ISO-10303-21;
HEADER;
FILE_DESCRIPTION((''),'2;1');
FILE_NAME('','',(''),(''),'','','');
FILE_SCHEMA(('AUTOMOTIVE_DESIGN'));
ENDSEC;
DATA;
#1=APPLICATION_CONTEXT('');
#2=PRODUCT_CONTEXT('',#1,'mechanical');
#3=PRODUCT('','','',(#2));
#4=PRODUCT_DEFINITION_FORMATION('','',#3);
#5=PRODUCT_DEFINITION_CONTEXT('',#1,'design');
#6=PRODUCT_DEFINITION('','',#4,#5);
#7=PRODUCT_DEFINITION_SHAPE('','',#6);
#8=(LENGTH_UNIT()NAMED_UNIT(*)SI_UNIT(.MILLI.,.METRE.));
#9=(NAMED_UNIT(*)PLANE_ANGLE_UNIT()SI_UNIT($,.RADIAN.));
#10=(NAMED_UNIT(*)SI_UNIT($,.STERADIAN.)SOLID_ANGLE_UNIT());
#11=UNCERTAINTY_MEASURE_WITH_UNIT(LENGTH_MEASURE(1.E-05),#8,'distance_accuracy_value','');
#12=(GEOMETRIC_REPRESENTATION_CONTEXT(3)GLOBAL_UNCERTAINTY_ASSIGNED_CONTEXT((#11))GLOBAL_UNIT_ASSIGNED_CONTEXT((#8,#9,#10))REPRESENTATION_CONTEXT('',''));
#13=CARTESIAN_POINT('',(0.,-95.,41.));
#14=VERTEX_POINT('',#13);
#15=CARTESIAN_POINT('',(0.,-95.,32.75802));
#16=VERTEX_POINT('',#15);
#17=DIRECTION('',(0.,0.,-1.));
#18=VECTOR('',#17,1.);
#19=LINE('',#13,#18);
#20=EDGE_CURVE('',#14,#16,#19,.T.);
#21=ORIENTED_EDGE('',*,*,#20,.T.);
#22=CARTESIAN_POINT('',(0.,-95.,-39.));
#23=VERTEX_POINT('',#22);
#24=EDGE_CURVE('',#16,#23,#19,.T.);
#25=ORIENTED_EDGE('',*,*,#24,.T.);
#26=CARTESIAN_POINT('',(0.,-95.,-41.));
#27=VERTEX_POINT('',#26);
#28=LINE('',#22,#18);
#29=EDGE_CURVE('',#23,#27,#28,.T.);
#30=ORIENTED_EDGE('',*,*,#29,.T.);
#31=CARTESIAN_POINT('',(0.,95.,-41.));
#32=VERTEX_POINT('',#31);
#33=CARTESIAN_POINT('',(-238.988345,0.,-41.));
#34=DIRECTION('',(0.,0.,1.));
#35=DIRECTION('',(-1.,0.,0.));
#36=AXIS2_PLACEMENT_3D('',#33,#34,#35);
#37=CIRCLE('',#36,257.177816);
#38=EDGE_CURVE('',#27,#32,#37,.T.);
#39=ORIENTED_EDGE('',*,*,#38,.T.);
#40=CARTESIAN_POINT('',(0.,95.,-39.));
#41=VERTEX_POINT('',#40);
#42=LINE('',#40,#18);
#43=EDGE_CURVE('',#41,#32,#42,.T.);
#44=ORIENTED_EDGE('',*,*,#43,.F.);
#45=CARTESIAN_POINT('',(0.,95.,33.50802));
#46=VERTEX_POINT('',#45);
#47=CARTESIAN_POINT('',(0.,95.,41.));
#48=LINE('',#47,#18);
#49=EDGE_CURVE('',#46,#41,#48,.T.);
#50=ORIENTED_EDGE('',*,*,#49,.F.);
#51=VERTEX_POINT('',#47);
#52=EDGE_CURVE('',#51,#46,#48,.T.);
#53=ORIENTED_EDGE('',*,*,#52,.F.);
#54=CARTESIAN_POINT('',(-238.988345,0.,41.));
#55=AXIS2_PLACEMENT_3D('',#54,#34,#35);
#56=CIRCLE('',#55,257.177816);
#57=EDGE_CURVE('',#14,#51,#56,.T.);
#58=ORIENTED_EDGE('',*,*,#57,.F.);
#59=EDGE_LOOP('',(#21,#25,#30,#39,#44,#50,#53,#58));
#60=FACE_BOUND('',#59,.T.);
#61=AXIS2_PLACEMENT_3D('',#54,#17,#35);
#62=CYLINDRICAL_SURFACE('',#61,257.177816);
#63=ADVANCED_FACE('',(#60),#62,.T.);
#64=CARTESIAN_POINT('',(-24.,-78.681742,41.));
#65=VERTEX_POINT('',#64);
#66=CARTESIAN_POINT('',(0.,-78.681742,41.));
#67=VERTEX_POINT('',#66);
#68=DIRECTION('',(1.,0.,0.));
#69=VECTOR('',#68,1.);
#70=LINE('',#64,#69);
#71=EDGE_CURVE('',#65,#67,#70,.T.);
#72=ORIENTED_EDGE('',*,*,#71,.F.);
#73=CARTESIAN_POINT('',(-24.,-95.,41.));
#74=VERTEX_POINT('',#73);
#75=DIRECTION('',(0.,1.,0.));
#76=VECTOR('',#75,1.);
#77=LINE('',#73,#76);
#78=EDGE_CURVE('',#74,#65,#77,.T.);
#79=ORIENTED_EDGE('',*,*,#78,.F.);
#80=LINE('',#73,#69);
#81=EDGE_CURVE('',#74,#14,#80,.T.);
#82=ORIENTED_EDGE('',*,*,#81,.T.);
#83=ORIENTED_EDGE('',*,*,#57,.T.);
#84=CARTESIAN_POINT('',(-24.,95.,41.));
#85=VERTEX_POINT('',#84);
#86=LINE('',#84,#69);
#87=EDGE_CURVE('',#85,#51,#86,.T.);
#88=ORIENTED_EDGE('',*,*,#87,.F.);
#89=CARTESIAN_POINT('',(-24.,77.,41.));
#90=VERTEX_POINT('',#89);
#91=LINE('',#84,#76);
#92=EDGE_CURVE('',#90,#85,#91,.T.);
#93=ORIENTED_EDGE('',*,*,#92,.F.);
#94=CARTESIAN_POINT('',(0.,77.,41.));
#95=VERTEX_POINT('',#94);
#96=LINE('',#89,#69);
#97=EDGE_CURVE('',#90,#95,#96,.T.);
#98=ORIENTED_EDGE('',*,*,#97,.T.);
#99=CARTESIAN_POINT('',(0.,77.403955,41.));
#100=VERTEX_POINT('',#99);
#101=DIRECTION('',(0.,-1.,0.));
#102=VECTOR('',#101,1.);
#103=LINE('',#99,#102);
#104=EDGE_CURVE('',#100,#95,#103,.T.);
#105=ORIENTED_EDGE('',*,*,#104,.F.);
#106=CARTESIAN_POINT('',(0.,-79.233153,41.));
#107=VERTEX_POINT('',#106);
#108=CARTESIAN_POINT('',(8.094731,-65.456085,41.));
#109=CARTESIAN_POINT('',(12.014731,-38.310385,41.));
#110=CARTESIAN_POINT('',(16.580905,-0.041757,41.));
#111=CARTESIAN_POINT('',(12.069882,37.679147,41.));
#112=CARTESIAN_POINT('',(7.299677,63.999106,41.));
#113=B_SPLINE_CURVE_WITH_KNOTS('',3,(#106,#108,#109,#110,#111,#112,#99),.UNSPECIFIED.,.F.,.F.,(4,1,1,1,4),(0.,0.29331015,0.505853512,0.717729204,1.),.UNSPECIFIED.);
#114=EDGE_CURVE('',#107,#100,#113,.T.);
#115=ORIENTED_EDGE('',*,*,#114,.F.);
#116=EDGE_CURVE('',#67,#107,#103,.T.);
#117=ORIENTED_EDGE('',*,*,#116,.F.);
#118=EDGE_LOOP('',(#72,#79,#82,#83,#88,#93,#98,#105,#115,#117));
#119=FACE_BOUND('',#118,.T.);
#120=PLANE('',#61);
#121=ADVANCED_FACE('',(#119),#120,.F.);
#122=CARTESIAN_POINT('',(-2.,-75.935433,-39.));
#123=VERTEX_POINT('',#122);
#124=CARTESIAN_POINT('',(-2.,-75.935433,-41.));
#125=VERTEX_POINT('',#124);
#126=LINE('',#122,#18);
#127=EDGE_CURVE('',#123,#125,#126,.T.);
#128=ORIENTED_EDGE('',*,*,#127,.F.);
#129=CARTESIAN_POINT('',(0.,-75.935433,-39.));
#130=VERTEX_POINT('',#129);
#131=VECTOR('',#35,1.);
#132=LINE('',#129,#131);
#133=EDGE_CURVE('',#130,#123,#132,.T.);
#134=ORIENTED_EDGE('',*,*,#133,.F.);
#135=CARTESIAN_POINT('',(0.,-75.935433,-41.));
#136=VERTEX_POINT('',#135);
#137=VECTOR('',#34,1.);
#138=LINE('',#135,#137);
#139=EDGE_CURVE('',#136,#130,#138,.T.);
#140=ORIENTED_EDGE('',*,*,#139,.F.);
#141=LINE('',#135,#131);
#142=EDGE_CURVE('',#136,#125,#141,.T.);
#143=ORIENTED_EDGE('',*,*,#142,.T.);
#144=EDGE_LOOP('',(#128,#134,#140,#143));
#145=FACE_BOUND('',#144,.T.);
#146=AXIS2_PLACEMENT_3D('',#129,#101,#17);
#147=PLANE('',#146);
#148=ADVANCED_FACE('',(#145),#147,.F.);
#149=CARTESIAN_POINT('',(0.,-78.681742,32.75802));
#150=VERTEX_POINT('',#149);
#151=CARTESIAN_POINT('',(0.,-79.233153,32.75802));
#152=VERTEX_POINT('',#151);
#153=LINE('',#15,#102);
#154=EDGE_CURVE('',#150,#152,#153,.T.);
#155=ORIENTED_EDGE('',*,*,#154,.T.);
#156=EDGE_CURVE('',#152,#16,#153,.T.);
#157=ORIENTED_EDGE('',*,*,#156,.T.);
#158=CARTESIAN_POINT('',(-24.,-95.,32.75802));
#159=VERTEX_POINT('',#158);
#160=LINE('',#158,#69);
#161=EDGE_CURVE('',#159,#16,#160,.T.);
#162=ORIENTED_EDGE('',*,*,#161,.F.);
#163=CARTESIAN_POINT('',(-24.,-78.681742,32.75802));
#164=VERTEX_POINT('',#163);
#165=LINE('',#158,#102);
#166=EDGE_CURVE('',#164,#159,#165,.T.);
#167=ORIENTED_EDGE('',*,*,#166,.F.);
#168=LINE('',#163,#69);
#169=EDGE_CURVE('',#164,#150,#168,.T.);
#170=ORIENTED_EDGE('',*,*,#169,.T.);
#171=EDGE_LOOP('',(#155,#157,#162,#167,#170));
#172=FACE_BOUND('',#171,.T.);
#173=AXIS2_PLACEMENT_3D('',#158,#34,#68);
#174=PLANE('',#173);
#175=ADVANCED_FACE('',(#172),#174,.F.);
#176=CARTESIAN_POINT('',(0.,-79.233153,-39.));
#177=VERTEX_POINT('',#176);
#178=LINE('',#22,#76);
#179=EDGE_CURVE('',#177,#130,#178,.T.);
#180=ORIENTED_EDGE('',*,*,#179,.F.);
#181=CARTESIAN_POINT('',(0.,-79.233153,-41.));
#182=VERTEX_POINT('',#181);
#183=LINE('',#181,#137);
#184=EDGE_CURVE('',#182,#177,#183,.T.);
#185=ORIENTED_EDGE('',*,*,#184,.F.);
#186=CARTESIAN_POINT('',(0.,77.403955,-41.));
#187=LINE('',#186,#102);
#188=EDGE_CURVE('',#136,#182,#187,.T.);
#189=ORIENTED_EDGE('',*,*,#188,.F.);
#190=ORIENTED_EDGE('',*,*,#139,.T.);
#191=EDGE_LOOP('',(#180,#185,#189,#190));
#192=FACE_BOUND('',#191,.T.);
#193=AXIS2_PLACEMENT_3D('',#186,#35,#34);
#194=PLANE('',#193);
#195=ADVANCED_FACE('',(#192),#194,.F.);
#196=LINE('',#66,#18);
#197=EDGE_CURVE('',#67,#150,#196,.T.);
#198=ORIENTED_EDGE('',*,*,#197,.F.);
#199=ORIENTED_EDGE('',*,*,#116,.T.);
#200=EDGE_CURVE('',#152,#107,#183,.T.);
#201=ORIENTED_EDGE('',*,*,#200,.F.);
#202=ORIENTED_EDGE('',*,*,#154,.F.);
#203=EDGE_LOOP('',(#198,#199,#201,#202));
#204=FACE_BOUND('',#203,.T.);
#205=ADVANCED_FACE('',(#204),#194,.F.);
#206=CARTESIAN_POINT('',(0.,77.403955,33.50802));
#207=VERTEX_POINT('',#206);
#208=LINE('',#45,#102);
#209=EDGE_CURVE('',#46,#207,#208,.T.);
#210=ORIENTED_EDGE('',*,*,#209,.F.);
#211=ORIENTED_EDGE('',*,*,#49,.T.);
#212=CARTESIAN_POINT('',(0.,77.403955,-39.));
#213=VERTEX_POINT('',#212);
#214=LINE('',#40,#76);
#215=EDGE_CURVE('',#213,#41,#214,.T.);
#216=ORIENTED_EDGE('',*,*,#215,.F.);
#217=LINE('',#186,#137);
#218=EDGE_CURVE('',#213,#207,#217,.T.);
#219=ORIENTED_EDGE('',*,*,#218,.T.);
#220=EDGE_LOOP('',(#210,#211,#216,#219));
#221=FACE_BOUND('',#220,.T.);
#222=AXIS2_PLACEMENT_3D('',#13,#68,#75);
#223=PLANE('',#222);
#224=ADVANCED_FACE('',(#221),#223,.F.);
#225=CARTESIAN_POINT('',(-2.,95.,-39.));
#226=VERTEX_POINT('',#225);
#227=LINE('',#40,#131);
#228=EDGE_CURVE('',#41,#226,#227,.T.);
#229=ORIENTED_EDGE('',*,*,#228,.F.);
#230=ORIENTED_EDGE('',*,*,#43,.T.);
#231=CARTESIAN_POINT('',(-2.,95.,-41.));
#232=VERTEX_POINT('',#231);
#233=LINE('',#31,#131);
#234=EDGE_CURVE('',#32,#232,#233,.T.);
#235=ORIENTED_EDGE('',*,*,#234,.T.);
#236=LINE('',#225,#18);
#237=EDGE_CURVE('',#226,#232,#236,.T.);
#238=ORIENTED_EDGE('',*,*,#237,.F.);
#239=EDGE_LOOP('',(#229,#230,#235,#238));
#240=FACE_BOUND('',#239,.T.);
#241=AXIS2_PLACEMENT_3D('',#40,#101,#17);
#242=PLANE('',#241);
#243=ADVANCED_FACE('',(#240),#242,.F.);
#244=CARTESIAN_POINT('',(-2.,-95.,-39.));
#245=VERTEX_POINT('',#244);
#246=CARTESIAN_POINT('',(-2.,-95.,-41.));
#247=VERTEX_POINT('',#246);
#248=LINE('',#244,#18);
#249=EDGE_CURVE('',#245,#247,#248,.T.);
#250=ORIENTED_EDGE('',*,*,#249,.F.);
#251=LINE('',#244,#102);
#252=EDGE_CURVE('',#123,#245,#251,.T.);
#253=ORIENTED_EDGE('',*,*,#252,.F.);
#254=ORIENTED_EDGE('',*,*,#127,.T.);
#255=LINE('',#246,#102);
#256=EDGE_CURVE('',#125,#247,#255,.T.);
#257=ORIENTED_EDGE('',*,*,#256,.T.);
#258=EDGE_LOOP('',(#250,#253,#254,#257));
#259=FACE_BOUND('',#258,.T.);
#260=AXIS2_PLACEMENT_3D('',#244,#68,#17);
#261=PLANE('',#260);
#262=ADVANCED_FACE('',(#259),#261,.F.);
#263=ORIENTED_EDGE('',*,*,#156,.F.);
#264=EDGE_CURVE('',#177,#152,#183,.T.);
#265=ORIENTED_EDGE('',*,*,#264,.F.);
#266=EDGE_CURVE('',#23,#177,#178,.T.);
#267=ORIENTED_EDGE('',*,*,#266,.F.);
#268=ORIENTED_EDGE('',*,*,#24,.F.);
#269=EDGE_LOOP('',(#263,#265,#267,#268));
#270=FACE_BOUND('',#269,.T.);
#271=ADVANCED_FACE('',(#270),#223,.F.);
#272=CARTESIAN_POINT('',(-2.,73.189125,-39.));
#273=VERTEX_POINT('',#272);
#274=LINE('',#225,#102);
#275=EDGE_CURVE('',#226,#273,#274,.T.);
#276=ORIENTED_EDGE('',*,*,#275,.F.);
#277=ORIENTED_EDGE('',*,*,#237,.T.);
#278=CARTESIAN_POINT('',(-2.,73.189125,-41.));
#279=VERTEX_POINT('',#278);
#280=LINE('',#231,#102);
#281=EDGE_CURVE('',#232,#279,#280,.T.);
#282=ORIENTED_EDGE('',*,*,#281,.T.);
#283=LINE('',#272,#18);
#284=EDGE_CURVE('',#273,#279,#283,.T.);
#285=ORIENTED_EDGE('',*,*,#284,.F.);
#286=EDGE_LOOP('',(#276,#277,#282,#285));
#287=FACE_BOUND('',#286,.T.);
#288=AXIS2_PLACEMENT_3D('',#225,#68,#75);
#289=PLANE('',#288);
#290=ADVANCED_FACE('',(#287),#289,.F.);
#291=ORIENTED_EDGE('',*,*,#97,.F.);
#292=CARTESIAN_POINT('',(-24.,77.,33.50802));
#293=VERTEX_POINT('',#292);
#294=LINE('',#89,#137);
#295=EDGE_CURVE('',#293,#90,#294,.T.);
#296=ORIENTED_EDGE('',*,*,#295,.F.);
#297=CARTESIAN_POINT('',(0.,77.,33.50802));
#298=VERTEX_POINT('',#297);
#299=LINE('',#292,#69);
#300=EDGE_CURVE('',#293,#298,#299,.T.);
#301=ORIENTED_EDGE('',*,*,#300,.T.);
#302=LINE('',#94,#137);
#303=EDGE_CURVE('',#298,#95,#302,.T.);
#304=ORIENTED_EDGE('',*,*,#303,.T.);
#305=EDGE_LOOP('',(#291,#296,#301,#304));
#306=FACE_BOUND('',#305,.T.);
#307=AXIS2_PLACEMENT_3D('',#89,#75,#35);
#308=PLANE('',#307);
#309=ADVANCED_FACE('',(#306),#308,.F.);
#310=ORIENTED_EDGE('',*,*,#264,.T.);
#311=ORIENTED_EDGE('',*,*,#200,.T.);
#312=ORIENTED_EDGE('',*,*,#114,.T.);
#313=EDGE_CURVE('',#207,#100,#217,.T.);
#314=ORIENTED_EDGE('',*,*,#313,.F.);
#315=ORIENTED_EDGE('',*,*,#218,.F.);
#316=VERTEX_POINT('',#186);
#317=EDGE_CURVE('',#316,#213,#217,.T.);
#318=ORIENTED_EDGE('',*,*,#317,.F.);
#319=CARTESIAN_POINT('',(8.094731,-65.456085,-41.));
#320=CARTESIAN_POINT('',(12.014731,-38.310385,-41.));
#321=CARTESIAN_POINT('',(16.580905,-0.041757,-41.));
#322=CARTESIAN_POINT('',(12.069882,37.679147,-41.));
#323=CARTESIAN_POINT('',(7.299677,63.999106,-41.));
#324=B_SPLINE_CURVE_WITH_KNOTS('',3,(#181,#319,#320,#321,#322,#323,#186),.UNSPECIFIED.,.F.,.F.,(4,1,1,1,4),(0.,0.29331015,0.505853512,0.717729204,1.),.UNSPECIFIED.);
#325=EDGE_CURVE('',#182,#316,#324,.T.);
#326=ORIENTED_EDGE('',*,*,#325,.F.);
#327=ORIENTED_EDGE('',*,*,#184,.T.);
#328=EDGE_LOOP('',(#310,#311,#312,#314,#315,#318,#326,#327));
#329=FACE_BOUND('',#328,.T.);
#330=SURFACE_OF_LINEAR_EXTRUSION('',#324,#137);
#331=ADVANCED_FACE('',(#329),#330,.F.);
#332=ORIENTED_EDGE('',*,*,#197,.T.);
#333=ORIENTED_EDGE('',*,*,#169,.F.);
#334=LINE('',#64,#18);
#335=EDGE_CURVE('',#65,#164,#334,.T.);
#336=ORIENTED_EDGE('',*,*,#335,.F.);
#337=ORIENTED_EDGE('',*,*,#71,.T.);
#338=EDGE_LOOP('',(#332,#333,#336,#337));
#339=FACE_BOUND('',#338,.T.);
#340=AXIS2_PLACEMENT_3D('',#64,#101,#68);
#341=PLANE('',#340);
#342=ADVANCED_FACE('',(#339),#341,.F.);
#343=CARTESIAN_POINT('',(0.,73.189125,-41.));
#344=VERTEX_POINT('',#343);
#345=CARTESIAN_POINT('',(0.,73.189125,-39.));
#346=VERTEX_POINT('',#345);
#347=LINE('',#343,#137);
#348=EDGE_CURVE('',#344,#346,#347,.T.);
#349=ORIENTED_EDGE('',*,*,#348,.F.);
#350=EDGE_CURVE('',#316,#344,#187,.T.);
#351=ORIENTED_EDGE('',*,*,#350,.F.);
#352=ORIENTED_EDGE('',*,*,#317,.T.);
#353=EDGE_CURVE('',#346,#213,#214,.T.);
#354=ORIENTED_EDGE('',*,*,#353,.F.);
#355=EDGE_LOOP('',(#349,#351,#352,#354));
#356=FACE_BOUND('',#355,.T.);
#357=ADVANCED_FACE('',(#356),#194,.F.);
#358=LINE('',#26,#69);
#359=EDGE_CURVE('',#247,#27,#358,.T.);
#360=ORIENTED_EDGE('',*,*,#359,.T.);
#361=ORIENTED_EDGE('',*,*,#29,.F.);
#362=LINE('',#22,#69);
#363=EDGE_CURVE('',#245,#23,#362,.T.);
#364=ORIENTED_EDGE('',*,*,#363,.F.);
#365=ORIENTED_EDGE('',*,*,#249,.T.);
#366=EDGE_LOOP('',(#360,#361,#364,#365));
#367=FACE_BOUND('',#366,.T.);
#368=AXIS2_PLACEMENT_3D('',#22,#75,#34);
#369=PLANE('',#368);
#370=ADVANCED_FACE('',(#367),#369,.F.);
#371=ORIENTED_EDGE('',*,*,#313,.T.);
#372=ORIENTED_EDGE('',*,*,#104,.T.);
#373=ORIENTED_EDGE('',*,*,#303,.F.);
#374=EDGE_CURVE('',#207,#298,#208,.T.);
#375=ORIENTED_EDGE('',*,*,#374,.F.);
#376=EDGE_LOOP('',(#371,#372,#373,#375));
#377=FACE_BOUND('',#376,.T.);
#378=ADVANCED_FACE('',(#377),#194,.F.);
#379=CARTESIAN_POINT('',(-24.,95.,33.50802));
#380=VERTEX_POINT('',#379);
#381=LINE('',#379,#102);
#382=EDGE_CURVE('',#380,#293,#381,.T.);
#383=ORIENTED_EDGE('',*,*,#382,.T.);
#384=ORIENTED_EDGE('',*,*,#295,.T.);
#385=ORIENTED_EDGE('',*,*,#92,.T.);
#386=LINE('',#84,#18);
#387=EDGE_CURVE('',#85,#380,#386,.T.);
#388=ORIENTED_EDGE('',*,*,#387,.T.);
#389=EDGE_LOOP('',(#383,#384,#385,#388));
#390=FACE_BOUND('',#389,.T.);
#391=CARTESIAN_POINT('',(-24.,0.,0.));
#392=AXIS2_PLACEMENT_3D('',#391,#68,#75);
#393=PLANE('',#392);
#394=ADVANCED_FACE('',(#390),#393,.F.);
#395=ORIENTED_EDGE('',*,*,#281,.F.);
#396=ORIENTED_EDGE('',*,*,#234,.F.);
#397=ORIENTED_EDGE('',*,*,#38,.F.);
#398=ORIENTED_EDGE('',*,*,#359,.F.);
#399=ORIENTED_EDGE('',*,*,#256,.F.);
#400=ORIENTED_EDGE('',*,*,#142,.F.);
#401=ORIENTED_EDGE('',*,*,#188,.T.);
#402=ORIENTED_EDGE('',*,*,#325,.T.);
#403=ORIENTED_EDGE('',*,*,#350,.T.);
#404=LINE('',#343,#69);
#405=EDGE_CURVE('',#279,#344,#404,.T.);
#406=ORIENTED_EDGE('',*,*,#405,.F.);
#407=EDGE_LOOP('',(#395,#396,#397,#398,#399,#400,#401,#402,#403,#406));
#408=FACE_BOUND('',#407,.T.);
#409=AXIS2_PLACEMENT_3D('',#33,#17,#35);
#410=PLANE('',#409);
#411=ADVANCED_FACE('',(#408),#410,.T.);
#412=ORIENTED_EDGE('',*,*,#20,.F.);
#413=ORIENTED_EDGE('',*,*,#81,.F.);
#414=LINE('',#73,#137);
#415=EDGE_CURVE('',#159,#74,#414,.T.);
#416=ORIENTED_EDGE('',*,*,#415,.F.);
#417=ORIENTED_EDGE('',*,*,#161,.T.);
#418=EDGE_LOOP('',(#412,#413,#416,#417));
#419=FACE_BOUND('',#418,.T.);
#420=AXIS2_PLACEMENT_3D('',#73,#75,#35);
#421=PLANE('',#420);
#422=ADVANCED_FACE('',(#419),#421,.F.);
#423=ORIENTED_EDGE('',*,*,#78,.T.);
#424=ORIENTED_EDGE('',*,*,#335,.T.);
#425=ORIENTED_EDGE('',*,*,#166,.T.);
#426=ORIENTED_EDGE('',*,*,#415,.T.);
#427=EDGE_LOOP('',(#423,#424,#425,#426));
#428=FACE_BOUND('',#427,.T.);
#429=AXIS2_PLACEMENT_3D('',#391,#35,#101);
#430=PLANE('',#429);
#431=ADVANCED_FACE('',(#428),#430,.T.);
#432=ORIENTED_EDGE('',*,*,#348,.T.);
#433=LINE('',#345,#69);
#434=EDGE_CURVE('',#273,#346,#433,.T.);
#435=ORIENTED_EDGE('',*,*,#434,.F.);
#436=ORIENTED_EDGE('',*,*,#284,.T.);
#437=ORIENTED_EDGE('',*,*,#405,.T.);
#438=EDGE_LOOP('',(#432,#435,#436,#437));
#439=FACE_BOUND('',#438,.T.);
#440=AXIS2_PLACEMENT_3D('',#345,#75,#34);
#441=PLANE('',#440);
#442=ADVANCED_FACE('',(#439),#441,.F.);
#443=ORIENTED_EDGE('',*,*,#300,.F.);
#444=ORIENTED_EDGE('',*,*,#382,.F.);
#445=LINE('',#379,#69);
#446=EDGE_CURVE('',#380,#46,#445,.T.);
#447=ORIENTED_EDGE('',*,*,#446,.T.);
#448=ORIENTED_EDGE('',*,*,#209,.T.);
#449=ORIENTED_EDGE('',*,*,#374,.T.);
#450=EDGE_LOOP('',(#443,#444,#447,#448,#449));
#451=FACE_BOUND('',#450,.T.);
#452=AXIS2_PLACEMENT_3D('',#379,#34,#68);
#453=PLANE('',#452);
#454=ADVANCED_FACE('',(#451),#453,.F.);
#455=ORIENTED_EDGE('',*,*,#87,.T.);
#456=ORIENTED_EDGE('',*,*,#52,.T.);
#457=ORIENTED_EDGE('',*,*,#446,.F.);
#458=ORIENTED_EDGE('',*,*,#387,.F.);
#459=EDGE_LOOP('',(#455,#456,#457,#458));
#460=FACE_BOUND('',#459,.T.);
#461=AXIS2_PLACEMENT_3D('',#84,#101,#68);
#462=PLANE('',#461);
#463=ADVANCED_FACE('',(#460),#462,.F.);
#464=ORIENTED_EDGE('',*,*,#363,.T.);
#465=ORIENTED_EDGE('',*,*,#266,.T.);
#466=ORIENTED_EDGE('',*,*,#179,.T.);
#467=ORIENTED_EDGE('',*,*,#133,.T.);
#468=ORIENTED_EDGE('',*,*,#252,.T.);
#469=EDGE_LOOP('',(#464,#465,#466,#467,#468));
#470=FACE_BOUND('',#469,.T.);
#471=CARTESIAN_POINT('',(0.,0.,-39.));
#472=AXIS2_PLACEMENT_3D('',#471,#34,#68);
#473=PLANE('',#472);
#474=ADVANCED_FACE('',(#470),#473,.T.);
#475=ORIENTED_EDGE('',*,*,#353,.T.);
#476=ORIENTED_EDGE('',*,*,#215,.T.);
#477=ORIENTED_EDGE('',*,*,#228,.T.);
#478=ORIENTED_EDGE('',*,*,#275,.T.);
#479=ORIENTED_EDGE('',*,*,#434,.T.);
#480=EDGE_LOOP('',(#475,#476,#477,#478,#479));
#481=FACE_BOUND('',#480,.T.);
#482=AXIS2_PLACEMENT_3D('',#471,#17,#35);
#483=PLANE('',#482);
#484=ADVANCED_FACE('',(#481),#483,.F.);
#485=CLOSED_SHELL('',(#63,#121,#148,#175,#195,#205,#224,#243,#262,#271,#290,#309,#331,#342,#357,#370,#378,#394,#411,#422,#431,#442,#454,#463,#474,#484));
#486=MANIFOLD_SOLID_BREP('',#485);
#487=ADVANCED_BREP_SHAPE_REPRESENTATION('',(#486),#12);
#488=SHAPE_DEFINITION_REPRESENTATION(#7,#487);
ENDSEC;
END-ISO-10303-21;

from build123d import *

# Parameters (mm, degrees)
BOSS_EXTRUDE2_DEPTH     = 41
CUT_EXTRUDE1_DEPTH      = 106.056446042
CUT_EXTRUDE1_DEPTH_BACK = 106.056446042
SKETCH7_W               = 7.491980345
SKETCH7_H               = 18
BOSS_EXTRUDE3_DEPTH     = 24
SKETCH9_W               = 8.241980345
SKETCH9_H               = 16.318258018
BOSS_EXTRUDE4_DEPTH     = 24
SKETCH15_W              = 2
SKETCH15_H              = 21.810875259
BOSS_EXTRUDE6_DEPTH     = 2
SKETCH16_W              = 2
SKETCH16_H              = 19.064566639
BOSS_EXTRUDE7_DEPTH     = 2
CUT_EXTRUDE2_DEPTH      = 107.216759506
CUT_EXTRUDE2_DEPTH_BACK = 107.216759506


with BuildPart() as part:
    # Sketch5 → Boss-Extrude2 (new, symmetric)
    with BuildSketch(Plane.XY):
        with BuildLine():
            Line((0, -95), (0, 95))
            ThreePointArc((0, 95), (18.189470994, 0), (0, -95))
        make_face()
    extrude(amount=BOSS_EXTRUDE2_DEPTH, both=True)

    # Sketch6 → Cut-Extrude1 (cut, two sides: drawn at the far end of the back side and taken through both)
    with BuildSketch(Plane.XY.offset(-CUT_EXTRUDE1_DEPTH_BACK)):
        with BuildLine():
            Line((0, 73.189124741), (0, -75.935433361))
            ThreePointArc((0, -75.935433361), (11.848694319, -1.37315431), (0, 73.189124741))
        make_face()
    extrude(amount=CUT_EXTRUDE1_DEPTH + CUT_EXTRUDE1_DEPTH_BACK, mode=Mode.SUBTRACT)

    # Sketch7 → Boss-Extrude3 (add)
    with BuildSketch(Plane.ZY):
        with Locations((37.254009827, 86)):
            Rectangle(SKETCH7_W, SKETCH7_H)
    extrude(amount=BOSS_EXTRUDE3_DEPTH)

    # Sketch9 → Boss-Extrude4 (add)
    with BuildSketch(Plane.ZY):
        with Locations((36.879009827, -86.840870991)):
            Rectangle(SKETCH9_W, SKETCH9_H)
    extrude(amount=BOSS_EXTRUDE4_DEPTH)

    # Sketch15 → Boss-Extrude6 (add)
    with BuildSketch(Plane.XY.offset(-41)):
        with Locations((-1, 84.094562371)):
            Rectangle(SKETCH15_W, SKETCH15_H)
    extrude(amount=BOSS_EXTRUDE6_DEPTH)

    # Sketch16 → Boss-Extrude7 (add)
    with BuildSketch(Plane.XY.offset(-41)):
        with Locations((-1, -85.467716681)):
            Rectangle(SKETCH16_W, SKETCH16_H)
    extrude(amount=BOSS_EXTRUDE7_DEPTH)

    # Sketch18 → Cut-Extrude2 (cut, two sides: drawn at the far end of the back side and taken through both)
    with BuildSketch(Plane.XY.offset(-CUT_EXTRUDE2_DEPTH_BACK)):
        with BuildLine():
            Line((0, 77.403954958), (0, -79.233152756))
            add(Edge.make_bspline(
                [(0, 77.403954958), (7.29967651, 63.999105608), (12.069881817, 37.679146823), (16.580904834, -0.041757284), (12.014730591, -38.310384751), (8.094731037, -65.45608458), (0, -79.233152756)],
                knots=[0, 0, 0, 0, 0.282270796, 0.494146488, 0.70668985, 1, 1, 1, 1], degree=3))
        make_face()
    extrude(amount=CUT_EXTRUDE2_DEPTH + CUT_EXTRUDE2_DEPTH_BACK, mode=Mode.SUBTRACT)


solid = part.part
